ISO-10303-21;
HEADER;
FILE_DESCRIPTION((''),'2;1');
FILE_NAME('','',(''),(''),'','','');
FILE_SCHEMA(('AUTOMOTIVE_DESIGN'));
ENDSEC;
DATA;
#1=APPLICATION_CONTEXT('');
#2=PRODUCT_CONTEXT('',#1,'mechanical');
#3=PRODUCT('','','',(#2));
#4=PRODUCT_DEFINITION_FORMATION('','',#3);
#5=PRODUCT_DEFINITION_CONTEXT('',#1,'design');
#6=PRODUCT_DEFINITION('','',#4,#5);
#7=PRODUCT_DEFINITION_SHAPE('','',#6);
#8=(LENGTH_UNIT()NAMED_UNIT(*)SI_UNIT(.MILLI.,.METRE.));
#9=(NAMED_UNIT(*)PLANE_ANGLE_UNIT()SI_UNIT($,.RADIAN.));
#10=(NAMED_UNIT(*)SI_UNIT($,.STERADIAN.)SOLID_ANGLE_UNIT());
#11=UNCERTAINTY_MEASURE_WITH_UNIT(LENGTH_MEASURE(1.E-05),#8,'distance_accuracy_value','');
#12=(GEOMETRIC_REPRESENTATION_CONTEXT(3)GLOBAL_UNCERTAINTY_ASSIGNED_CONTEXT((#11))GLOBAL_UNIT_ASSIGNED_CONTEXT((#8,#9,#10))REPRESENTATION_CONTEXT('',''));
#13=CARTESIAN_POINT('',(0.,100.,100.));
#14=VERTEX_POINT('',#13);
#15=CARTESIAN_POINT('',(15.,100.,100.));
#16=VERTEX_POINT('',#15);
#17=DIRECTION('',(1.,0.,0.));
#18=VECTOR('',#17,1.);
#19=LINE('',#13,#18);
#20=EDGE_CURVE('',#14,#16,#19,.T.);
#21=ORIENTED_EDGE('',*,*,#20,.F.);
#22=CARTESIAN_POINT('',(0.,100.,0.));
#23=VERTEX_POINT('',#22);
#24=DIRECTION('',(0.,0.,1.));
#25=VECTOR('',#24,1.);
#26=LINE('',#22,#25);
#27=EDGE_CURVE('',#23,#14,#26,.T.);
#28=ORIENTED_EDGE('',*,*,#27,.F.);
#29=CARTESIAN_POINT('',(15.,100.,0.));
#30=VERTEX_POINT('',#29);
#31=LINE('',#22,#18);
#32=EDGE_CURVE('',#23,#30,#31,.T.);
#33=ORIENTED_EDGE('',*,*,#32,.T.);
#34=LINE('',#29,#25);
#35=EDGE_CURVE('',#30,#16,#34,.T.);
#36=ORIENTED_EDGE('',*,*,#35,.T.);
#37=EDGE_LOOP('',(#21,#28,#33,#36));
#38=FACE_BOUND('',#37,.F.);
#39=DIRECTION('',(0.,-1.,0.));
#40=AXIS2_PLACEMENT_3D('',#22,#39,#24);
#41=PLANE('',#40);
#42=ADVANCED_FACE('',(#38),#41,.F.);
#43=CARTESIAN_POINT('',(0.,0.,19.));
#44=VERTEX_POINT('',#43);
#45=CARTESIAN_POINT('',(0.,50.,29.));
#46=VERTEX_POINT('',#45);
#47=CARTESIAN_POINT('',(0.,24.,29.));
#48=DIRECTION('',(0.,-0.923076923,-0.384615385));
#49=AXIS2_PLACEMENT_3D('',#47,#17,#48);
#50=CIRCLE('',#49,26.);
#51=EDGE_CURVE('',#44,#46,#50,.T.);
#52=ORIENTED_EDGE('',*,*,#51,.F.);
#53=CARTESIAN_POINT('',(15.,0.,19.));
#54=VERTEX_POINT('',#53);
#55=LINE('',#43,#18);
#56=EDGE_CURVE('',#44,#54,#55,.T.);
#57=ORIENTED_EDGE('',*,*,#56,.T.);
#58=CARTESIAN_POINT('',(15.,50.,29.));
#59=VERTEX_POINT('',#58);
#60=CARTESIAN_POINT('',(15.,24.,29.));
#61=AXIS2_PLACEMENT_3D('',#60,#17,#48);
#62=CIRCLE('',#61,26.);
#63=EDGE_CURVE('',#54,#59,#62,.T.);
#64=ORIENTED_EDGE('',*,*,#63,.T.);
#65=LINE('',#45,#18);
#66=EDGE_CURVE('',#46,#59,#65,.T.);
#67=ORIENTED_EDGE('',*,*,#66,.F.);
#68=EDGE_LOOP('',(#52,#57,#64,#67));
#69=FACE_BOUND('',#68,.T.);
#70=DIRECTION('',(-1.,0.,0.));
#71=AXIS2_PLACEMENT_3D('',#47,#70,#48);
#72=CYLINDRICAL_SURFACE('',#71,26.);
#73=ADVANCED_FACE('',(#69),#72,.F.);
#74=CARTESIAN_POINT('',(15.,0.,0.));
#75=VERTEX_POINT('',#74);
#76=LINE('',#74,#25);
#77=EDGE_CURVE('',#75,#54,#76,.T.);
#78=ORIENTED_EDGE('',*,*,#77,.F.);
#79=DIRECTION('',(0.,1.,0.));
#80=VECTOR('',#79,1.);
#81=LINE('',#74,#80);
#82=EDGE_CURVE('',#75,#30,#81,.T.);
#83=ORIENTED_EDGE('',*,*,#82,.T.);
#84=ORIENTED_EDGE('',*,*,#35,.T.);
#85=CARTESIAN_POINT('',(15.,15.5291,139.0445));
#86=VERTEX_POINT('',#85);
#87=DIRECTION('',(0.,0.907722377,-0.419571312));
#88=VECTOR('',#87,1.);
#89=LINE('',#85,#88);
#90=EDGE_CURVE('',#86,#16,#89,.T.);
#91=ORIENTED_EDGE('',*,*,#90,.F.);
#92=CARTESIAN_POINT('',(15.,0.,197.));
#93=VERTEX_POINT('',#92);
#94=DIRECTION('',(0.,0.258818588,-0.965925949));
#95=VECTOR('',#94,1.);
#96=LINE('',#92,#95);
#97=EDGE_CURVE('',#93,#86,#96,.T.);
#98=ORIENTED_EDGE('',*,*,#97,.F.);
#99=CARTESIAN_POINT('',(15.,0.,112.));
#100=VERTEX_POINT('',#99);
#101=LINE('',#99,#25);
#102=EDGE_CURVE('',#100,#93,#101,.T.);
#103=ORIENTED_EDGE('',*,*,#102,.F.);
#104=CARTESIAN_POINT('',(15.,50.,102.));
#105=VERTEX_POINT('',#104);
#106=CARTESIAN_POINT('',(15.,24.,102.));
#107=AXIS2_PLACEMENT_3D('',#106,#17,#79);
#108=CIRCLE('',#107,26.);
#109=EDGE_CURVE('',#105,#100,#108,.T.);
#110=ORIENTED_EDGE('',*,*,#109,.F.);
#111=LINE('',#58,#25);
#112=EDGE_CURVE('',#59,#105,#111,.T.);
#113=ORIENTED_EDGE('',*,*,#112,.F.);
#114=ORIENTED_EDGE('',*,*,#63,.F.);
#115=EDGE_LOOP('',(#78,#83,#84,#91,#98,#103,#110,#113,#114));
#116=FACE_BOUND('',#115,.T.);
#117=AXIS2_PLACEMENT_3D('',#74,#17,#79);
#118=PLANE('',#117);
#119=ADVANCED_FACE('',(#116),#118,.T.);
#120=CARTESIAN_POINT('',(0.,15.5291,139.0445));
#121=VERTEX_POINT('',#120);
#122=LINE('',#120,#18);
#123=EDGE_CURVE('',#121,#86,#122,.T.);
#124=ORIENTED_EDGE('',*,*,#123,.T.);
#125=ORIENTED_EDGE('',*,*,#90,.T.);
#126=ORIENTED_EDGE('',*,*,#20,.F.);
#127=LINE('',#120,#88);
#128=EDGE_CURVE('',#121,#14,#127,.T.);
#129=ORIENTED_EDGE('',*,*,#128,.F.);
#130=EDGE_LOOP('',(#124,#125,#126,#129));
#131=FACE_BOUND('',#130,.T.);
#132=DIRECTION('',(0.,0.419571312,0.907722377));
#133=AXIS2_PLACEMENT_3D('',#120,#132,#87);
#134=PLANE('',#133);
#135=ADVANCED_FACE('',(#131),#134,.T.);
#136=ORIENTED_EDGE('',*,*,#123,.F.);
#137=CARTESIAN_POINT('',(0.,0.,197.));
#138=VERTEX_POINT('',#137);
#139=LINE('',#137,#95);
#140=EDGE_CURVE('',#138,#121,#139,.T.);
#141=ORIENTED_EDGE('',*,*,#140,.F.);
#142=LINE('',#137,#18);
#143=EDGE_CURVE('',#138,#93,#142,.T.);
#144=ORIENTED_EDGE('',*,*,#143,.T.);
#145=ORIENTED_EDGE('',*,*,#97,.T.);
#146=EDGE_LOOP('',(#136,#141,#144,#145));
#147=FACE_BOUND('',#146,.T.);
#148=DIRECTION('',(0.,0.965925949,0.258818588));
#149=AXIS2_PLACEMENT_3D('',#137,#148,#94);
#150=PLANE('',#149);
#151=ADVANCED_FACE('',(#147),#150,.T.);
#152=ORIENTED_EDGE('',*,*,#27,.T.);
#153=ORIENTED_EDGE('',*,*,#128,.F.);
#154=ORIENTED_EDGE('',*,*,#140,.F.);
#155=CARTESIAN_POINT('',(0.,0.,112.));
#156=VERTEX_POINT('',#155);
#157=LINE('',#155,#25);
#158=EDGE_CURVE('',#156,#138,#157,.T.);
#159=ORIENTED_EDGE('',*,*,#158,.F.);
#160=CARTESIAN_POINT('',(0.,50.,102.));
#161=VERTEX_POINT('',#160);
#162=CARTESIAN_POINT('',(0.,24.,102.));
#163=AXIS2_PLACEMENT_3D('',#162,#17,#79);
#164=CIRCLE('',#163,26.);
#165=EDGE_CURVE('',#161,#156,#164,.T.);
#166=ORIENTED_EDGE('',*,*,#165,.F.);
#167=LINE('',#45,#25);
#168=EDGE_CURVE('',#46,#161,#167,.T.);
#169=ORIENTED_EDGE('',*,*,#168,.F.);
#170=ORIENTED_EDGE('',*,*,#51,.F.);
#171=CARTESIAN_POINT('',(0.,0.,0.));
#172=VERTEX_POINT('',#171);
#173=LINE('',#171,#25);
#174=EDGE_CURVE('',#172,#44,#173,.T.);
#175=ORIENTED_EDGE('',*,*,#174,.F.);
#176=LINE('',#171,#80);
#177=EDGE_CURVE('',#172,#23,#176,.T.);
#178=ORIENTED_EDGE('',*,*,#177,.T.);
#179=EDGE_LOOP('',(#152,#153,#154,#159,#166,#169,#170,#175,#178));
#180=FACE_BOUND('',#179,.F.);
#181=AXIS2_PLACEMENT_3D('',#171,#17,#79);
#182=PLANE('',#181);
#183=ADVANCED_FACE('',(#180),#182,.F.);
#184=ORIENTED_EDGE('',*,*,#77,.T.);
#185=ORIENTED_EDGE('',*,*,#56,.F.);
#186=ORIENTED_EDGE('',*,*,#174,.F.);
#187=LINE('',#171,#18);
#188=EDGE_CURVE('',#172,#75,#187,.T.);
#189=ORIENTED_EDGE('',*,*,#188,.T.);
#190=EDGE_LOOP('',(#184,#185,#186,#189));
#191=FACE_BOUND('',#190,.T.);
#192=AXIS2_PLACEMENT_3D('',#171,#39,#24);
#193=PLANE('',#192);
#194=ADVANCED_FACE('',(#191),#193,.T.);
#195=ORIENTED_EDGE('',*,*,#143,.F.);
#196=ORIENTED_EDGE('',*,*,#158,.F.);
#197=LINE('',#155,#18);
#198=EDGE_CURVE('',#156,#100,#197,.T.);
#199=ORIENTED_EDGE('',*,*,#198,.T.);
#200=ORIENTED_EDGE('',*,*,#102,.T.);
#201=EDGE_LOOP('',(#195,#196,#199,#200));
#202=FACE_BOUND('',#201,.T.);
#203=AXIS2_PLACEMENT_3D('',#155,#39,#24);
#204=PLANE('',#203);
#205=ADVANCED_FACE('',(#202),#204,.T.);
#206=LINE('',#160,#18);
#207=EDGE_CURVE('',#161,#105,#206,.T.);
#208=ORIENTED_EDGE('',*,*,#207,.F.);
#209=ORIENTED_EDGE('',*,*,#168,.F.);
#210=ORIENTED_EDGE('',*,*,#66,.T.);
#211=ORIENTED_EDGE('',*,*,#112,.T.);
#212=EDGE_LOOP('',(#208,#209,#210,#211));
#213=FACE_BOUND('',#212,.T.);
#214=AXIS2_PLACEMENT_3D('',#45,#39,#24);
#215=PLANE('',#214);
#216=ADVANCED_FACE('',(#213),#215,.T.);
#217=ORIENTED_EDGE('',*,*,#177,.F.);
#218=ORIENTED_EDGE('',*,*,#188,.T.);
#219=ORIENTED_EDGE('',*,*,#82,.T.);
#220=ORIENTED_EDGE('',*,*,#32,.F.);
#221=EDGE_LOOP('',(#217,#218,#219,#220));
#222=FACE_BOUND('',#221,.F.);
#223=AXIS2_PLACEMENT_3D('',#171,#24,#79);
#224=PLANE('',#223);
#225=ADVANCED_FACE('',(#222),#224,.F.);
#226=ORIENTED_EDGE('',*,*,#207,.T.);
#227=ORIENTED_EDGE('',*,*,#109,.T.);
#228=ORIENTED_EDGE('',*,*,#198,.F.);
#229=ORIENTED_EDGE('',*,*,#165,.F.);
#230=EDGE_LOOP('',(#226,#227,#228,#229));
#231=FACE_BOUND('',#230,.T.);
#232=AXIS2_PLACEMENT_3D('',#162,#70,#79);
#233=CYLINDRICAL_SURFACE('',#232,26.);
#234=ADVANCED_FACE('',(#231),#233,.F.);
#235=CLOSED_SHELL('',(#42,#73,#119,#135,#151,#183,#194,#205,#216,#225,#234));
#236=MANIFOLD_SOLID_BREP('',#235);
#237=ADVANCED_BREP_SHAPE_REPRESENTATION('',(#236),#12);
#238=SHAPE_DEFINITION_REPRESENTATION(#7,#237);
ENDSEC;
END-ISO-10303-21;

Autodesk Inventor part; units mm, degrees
ref_plane "YZ Plane" through (0, 0, 0) normal (1, 0, 0) x (0, 1, 0)
ref_plane "XZ Plane" through (0, 0, 0) normal (0, 1, 0) x (-1, 0, 0)
ref_plane "XY Plane" through (0, 0, 0) normal (0, 0, 1) x (1, 0, 0)
sketch "Sketch2" plane through (0, 0, 0) normal (1, 0, 0) x (0, 1, 0)
  line L0 (0, 0) -> (100, 0)
  line L1 (100, 0) -> (100, 100)
  line L2 (0, 0) -> (0, 197) construction
  line L3 (0, 197) -> (15.5291, 139.0445)
  line L4 (0, 197) -> (60, 197) construction
  line L5 (15.5291, 139.0445) -> (100, 100)
  line L6 (0, 0) -> (24, 0) construction
  line L7 (24, 0) -> (24, 29) construction
  line L8 (24, 29) -> (0, 29) construction
  line L9 (0, 29) -> (0, 0) construction
  line L10 (24, 29) -> (24, 102) construction
  arc A0 (0, 19) -> (50, 29) centre (24, 29) ccw
  line L11 (0, 0) -> (0, 19)
  arc A1 (50, 102) -> (0, 112) centre (24, 102) ccw
  line L12 (24, 102) -> (50, 102) construction
  line L13 (24, 29) -> (50, 29) construction
  line L14 (50, 29) -> (50, 102)
  line L15 (0, 112) -> (0, 197)
  dimension "d10" = 100
  dimension "d11" = 100
  dimension "d12" = 197
  dimension "d13" = 60
  dimension "d14" = 75
  dimension "d15" = 24
  dimension "d16" = 29
  dimension "d17" = 73
  dimension "d18" = 26
  dimension "d19" = 26
extrude "Extrusion1" add sketch "Sketch2" along normal blind 15
properties part number "Side Plate"
